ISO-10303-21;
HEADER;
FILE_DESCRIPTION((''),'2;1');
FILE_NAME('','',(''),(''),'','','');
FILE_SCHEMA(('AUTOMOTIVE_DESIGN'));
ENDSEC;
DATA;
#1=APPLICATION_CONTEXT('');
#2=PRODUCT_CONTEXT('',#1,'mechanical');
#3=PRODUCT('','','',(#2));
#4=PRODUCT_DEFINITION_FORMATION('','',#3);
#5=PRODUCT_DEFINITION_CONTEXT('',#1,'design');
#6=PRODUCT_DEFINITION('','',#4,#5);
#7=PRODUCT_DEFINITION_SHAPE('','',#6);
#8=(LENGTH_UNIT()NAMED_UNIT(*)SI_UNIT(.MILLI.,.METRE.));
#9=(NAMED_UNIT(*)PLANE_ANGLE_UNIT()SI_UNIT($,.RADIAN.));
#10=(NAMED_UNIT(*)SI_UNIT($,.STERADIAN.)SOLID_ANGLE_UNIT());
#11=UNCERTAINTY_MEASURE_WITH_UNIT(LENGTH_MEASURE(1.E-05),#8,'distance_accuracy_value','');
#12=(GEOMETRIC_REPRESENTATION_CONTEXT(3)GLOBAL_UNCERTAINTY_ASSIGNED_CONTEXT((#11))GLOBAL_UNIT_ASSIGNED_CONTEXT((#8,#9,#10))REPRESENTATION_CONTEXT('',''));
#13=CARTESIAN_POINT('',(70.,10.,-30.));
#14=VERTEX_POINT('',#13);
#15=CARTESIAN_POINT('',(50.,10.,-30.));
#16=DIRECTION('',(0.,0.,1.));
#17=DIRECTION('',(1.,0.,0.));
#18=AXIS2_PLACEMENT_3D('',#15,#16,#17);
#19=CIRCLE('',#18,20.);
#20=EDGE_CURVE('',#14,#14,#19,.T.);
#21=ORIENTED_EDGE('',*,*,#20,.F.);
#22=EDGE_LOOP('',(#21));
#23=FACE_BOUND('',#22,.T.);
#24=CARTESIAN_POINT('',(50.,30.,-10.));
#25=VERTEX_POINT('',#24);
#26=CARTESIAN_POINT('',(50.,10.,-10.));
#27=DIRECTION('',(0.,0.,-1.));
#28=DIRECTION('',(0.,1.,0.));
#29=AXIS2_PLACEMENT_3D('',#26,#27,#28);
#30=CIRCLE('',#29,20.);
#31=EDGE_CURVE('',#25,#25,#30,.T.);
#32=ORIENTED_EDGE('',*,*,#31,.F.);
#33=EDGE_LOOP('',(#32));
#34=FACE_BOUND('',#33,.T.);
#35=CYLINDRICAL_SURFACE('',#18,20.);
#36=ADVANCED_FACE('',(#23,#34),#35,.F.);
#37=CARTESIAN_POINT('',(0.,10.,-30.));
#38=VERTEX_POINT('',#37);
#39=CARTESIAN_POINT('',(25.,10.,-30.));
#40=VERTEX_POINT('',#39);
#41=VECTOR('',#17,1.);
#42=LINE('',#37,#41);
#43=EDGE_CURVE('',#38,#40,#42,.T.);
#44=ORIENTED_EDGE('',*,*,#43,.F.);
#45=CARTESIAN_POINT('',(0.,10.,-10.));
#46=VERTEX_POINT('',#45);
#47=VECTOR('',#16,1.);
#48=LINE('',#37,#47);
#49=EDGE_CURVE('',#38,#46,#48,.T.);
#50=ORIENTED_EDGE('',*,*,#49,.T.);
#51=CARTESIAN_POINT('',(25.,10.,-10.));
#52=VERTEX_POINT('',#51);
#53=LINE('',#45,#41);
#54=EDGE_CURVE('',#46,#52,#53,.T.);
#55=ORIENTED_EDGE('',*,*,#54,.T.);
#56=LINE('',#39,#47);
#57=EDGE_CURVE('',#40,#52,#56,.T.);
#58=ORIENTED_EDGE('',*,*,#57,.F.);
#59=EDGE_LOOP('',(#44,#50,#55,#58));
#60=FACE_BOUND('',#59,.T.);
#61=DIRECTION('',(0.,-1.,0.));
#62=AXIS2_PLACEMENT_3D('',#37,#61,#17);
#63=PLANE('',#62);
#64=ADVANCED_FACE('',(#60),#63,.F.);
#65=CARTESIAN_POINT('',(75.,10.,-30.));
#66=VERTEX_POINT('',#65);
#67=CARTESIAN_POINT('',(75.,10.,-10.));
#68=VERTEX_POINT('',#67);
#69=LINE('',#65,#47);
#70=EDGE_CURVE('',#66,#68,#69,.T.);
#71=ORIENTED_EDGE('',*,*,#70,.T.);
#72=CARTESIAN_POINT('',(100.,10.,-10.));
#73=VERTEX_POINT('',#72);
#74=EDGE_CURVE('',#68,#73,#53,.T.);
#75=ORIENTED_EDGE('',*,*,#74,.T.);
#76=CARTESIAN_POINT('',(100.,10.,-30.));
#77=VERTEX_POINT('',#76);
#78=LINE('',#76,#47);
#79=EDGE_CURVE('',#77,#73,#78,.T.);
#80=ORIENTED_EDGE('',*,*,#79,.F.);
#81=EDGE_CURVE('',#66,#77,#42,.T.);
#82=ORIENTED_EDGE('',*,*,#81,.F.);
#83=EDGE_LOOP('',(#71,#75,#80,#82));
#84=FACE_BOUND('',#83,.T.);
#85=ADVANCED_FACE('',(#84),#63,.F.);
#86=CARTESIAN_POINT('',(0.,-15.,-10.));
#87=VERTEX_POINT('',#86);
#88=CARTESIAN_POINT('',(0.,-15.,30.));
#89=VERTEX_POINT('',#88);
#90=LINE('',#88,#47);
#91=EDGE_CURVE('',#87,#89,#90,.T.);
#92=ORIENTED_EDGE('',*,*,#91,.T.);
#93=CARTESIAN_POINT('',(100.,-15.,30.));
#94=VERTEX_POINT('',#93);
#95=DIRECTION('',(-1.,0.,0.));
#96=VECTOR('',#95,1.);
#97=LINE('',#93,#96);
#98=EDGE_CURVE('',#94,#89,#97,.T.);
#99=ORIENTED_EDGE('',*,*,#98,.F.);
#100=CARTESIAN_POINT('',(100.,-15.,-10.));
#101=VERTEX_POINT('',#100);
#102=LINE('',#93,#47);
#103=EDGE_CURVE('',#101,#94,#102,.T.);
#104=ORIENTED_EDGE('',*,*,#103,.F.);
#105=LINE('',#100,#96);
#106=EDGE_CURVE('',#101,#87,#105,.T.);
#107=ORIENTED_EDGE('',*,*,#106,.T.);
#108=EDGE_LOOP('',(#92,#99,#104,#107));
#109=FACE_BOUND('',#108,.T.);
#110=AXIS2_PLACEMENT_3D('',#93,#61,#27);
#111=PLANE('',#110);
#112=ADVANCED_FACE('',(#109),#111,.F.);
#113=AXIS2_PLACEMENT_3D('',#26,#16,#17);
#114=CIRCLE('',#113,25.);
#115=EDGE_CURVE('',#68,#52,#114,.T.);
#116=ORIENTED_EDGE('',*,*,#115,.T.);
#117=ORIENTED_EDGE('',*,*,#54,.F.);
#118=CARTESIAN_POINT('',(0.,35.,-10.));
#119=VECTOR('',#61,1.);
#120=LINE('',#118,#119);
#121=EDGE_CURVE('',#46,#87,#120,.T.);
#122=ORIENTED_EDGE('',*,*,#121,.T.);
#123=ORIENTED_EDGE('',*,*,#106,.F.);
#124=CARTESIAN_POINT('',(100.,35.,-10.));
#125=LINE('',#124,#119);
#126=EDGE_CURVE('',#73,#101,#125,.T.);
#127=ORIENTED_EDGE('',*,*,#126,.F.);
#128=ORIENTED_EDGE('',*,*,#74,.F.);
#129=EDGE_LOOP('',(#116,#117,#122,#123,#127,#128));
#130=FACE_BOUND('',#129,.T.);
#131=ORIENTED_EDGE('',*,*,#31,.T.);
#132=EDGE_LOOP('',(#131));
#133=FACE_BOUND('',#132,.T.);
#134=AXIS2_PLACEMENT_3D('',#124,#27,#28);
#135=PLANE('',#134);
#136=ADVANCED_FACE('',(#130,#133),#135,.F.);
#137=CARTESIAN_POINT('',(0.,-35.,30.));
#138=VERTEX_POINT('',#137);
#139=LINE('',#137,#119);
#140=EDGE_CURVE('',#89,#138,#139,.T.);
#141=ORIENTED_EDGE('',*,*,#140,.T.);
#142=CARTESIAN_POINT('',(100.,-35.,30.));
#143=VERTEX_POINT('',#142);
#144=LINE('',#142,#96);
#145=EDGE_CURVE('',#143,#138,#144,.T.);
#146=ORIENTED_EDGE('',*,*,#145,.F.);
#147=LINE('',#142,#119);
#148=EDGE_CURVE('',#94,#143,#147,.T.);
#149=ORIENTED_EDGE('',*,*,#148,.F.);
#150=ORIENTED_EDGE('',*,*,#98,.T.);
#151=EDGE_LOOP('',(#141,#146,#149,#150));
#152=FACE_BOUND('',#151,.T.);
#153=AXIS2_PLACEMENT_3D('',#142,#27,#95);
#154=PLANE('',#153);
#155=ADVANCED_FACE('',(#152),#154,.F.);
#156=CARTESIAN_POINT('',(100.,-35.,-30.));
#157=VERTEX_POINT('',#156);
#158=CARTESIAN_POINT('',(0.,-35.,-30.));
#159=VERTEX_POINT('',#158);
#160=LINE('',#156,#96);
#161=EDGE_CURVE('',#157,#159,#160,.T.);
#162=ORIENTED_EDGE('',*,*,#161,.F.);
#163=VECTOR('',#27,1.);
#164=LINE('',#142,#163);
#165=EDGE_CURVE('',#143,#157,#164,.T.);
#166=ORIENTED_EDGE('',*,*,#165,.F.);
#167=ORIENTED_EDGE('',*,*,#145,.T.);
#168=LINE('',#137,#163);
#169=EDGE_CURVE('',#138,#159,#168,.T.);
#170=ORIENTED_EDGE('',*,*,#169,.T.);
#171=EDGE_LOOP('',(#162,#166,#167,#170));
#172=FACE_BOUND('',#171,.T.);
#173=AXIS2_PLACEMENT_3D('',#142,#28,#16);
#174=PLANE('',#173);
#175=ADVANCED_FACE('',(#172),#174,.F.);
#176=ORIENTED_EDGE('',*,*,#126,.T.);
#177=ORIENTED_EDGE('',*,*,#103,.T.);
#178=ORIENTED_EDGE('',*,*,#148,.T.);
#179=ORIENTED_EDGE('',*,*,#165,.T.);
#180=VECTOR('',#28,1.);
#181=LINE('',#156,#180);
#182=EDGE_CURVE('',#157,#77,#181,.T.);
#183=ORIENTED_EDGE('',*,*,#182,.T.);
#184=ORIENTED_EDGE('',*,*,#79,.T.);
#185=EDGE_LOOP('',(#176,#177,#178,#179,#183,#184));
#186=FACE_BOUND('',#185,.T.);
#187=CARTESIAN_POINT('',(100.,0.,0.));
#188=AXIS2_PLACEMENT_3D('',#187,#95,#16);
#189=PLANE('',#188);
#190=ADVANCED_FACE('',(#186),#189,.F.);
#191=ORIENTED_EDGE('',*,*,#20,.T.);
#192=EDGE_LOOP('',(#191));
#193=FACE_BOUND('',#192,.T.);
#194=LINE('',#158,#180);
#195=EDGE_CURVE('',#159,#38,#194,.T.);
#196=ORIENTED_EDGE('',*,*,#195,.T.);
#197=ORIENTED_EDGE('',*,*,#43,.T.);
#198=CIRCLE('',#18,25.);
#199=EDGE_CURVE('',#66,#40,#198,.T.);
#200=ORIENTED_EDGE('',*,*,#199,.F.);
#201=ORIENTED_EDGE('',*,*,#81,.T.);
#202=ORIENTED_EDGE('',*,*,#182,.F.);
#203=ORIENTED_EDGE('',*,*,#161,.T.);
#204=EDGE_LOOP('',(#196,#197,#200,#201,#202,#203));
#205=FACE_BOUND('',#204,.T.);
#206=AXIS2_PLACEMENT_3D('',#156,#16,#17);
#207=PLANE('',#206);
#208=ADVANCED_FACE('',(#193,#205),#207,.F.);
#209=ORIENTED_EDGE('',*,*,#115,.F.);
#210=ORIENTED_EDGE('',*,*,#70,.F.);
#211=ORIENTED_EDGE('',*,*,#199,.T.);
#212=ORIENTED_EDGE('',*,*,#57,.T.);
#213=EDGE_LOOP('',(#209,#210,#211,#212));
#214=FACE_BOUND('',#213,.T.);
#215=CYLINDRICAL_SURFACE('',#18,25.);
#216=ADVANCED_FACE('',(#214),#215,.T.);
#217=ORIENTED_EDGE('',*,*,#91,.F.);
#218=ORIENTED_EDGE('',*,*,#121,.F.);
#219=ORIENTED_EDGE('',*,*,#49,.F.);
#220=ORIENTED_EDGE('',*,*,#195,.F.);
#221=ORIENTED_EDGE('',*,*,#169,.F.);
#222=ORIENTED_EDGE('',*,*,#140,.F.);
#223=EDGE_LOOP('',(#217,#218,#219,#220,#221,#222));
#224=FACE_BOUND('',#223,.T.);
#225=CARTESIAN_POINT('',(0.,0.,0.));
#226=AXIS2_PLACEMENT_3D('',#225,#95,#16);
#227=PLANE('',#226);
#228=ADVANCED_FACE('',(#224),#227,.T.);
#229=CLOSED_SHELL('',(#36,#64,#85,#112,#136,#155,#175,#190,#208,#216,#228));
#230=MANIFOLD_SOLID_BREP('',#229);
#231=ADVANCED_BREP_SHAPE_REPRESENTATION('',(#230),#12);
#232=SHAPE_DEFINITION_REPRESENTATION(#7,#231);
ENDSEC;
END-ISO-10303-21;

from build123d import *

# Parameters (mm, degrees)
BOSS_EXTRUDE1_DEPTH     = 100
CUT_EXTRUDE1_DEPTH      = 21
SKETCH3_R               = 20
CUT_EXTRUDE3_DEPTH      = 41
CUT_EXTRUDE3_DEPTH_BACK = 21


with BuildPart() as part:
    # Sketch1 → Boss-Extrude1 (new body)
    with BuildSketch(Plane(origin=(0, 0, 0), x_dir=(0, 0, -1), z_dir=(1, 0, 0))):
        Polygon((10, 35), (10, -15), (-30, -15), (-30, -35), (30, -35), (30, 35), align=None)
    extrude(amount=BOSS_EXTRUDE1_DEPTH)

    # Sketch2 → Cut-Extrude1 (cut, through all)
    with BuildSketch(Plane.XY.offset(-10)):
        with BuildLine():
            Line((0, 35), (0, 10))
            Line((0, 10), (25, 10))
            ThreePointArc((25, 10), (32.32233047, 27.67766953), (50, 35))
            Line((50, 35), (0, 35))
        make_face()
        with BuildLine():
            Line((100, 35), (50, 35))
            ThreePointArc((50, 35), (67.67766953, 27.67766953), (75, 10))
            Line((75, 10), (100, 10))
            Line((100, 10), (100, 35))
        make_face()
    extrude(amount=-CUT_EXTRUDE1_DEPTH, mode=Mode.SUBTRACT)

    # Sketch3 → Cut-Extrude3 (cut, two sides)
    with BuildSketch(Plane.XY.offset(-10)) as cut_extrude3_sk:
        with Locations((50, 10)):
            Circle(SKETCH3_R)
    extrude(amount=CUT_EXTRUDE3_DEPTH, mode=Mode.SUBTRACT)
    extrude(cut_extrude3_sk.sketch, amount=-CUT_EXTRUDE3_DEPTH_BACK, mode=Mode.SUBTRACT)


solid = part.part
